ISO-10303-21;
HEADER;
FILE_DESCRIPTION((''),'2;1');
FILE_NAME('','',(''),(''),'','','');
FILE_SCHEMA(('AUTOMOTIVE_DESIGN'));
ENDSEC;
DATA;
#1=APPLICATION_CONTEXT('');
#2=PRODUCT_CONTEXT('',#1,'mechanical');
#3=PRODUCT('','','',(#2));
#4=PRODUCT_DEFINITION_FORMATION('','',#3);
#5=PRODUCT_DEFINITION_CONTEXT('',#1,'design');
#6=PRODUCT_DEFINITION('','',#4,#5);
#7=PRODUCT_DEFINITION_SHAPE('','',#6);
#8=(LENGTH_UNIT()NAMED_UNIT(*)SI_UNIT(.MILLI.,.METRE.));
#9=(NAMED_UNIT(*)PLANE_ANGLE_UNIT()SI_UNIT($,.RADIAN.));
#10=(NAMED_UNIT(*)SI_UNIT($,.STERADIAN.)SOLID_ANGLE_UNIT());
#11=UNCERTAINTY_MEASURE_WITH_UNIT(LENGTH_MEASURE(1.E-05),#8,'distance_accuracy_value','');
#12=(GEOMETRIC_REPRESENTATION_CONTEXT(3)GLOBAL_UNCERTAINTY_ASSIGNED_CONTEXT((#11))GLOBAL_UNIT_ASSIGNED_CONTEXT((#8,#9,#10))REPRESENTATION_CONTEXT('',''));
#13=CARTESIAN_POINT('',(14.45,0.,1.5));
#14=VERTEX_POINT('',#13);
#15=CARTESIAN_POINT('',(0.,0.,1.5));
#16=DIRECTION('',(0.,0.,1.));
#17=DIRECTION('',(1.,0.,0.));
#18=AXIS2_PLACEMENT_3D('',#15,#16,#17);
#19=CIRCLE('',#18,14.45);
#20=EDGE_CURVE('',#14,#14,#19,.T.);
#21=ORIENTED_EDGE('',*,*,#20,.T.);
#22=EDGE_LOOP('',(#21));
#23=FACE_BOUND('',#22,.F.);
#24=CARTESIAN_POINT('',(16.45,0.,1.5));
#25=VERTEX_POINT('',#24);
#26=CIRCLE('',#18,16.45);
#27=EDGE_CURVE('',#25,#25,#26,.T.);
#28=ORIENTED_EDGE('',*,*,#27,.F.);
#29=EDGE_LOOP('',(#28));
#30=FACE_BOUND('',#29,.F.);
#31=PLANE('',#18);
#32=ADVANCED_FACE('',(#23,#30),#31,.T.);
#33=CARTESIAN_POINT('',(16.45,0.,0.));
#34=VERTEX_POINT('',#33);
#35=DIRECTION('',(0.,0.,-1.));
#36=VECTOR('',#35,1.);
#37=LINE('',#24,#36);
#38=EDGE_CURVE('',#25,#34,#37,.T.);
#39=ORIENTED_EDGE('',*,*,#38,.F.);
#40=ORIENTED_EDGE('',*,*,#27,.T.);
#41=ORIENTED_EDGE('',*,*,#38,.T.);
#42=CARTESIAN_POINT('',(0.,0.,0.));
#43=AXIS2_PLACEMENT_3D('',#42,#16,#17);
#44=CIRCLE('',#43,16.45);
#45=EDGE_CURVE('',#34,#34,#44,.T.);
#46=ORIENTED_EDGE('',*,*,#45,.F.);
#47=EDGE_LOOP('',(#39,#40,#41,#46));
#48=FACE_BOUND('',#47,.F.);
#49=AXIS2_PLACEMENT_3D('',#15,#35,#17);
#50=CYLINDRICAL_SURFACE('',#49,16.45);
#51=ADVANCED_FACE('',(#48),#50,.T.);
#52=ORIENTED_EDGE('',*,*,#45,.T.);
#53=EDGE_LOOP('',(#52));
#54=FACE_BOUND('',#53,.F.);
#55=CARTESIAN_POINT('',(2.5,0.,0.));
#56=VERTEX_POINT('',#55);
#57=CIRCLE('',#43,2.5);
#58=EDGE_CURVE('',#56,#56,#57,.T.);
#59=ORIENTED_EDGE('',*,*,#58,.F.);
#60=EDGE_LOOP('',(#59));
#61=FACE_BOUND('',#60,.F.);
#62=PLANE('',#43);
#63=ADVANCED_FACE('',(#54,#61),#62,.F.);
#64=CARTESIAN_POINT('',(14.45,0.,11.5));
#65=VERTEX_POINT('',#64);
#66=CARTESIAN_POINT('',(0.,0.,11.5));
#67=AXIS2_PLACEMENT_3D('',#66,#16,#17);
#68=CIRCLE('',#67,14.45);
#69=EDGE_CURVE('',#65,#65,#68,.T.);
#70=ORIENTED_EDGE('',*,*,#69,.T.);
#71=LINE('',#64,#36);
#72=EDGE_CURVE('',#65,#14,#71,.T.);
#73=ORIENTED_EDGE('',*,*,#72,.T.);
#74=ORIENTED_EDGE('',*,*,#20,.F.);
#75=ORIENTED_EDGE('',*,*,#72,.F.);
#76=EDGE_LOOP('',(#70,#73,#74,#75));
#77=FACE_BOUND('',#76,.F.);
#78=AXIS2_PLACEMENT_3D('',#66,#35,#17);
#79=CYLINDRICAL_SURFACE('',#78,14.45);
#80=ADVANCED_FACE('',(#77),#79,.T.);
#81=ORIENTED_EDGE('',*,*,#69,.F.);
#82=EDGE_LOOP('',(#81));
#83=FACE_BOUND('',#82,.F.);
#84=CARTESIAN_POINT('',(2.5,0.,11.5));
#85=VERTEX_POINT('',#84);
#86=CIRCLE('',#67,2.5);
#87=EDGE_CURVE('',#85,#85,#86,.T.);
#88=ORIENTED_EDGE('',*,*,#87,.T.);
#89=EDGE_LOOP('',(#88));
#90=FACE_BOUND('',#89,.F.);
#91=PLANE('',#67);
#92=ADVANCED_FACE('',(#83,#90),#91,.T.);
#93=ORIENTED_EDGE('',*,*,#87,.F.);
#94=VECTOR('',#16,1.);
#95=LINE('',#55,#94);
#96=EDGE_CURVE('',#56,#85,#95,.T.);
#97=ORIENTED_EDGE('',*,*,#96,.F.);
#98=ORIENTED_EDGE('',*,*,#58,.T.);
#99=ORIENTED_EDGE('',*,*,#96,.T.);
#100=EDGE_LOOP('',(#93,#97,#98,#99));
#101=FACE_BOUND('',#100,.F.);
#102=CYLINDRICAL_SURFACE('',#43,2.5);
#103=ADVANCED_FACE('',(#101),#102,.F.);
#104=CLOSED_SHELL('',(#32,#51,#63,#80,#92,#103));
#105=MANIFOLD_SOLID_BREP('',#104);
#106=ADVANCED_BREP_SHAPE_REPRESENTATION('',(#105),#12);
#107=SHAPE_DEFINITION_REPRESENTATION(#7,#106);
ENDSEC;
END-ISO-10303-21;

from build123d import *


with BuildPart() as part:
    # Sketch → Revolution (revolve)
    with BuildSketch(Plane.XZ):
        Polygon((2.5, 11.5), (14.45, 11.5), (14.45, 1.5), (16.45, 1.5), (16.45, 0), (2.5, 0), align=None)
    revolve(axis=Axis((0, 0, 0), (0, 0, 1)))


solid = part.part
